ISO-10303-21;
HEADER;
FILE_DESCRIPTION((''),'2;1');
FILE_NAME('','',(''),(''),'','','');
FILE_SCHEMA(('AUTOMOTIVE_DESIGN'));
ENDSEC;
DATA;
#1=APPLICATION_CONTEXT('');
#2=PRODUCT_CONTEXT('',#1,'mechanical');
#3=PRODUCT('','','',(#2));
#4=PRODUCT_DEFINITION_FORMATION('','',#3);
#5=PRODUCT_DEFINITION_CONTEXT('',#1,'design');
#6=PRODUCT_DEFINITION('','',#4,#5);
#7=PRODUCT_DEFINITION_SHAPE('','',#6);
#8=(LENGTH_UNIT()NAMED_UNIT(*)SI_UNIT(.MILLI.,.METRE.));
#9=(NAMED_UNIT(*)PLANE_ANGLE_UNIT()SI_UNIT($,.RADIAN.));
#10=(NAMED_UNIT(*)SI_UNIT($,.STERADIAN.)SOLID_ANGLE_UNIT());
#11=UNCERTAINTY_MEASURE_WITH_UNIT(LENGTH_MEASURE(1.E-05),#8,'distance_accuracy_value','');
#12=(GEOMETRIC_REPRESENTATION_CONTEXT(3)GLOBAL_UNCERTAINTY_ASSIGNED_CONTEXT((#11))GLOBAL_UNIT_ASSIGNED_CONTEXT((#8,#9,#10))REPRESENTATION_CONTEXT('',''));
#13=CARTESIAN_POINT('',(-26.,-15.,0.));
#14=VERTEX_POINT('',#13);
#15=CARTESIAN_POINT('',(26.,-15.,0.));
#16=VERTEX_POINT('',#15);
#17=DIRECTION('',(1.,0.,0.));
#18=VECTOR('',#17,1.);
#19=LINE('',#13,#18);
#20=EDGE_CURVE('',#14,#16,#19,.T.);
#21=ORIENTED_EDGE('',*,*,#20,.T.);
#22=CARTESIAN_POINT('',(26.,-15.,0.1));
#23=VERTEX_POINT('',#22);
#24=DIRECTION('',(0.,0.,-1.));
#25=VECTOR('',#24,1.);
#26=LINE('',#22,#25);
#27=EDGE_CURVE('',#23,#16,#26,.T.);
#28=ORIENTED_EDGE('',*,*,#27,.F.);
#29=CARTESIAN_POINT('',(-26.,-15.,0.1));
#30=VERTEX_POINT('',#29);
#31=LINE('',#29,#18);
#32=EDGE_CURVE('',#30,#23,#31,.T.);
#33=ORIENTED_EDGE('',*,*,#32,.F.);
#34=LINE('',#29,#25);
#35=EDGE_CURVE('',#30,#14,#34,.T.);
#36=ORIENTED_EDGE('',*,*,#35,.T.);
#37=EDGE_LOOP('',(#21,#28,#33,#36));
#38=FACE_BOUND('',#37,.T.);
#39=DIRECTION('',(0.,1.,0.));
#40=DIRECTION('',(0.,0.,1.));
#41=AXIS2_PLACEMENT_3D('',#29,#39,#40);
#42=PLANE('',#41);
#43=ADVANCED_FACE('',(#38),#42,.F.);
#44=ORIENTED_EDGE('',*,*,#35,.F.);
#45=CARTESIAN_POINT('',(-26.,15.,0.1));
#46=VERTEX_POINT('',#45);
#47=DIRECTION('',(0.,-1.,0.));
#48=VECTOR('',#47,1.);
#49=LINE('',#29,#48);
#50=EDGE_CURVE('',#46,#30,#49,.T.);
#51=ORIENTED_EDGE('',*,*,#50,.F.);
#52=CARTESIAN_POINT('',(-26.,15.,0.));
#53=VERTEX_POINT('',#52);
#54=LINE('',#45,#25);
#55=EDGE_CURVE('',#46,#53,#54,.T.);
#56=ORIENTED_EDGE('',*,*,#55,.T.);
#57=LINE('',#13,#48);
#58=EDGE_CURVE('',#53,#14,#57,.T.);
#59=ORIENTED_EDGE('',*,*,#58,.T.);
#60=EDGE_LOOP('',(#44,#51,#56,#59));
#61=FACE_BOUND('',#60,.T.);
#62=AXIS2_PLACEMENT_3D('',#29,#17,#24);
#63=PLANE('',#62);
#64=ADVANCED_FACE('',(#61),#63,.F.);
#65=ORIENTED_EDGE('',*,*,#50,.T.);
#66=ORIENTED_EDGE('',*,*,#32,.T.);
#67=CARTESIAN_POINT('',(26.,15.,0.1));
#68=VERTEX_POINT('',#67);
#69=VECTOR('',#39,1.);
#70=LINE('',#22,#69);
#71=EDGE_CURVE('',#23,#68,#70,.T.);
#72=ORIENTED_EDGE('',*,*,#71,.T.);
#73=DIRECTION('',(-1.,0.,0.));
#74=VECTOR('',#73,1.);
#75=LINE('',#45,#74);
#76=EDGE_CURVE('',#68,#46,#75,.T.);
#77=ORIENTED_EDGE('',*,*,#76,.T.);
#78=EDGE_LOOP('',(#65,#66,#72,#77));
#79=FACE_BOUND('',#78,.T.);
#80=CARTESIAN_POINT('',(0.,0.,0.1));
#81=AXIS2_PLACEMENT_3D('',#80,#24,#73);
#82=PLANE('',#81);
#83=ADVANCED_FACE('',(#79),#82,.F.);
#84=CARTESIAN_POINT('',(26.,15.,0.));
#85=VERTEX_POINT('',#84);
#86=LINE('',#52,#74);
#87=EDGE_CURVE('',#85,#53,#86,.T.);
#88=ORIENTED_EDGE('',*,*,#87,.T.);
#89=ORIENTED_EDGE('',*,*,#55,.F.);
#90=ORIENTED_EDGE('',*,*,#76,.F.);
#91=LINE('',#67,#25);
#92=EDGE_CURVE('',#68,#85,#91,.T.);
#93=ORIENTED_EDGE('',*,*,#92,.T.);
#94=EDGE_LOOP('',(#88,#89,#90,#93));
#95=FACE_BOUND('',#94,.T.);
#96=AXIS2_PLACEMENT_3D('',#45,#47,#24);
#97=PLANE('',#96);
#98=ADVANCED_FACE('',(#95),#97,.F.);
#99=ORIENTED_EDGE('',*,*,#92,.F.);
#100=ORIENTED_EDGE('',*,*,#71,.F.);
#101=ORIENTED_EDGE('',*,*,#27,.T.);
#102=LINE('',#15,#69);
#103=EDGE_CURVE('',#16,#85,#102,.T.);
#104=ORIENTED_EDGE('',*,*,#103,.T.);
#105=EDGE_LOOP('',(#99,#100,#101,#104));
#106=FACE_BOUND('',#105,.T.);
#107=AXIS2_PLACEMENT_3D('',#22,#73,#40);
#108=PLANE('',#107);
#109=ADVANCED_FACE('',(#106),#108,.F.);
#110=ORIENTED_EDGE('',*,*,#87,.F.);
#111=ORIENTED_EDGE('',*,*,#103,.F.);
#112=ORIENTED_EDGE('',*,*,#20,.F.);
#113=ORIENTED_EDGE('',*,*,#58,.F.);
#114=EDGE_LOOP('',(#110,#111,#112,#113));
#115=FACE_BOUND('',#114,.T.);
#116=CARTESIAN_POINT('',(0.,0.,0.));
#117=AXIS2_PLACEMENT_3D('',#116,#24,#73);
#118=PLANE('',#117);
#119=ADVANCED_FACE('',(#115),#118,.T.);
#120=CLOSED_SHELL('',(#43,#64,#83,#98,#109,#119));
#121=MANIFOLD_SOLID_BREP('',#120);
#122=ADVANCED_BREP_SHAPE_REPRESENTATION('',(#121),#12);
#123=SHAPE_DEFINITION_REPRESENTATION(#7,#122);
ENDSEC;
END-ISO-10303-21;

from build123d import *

# Parameters (mm, degrees)
SKETCH_1_W      = 52
SKETCH_1_H      = 30
EXTRUDE_1_DEPTH = 0.1


with BuildPart() as part:
    # 草图1 → 凸台-拉伸1 (new body)
    with BuildSketch(Plane.XY):
        Rectangle(SKETCH_1_W, SKETCH_1_H)
    extrude(amount=EXTRUDE_1_DEPTH)


solid = part.part
